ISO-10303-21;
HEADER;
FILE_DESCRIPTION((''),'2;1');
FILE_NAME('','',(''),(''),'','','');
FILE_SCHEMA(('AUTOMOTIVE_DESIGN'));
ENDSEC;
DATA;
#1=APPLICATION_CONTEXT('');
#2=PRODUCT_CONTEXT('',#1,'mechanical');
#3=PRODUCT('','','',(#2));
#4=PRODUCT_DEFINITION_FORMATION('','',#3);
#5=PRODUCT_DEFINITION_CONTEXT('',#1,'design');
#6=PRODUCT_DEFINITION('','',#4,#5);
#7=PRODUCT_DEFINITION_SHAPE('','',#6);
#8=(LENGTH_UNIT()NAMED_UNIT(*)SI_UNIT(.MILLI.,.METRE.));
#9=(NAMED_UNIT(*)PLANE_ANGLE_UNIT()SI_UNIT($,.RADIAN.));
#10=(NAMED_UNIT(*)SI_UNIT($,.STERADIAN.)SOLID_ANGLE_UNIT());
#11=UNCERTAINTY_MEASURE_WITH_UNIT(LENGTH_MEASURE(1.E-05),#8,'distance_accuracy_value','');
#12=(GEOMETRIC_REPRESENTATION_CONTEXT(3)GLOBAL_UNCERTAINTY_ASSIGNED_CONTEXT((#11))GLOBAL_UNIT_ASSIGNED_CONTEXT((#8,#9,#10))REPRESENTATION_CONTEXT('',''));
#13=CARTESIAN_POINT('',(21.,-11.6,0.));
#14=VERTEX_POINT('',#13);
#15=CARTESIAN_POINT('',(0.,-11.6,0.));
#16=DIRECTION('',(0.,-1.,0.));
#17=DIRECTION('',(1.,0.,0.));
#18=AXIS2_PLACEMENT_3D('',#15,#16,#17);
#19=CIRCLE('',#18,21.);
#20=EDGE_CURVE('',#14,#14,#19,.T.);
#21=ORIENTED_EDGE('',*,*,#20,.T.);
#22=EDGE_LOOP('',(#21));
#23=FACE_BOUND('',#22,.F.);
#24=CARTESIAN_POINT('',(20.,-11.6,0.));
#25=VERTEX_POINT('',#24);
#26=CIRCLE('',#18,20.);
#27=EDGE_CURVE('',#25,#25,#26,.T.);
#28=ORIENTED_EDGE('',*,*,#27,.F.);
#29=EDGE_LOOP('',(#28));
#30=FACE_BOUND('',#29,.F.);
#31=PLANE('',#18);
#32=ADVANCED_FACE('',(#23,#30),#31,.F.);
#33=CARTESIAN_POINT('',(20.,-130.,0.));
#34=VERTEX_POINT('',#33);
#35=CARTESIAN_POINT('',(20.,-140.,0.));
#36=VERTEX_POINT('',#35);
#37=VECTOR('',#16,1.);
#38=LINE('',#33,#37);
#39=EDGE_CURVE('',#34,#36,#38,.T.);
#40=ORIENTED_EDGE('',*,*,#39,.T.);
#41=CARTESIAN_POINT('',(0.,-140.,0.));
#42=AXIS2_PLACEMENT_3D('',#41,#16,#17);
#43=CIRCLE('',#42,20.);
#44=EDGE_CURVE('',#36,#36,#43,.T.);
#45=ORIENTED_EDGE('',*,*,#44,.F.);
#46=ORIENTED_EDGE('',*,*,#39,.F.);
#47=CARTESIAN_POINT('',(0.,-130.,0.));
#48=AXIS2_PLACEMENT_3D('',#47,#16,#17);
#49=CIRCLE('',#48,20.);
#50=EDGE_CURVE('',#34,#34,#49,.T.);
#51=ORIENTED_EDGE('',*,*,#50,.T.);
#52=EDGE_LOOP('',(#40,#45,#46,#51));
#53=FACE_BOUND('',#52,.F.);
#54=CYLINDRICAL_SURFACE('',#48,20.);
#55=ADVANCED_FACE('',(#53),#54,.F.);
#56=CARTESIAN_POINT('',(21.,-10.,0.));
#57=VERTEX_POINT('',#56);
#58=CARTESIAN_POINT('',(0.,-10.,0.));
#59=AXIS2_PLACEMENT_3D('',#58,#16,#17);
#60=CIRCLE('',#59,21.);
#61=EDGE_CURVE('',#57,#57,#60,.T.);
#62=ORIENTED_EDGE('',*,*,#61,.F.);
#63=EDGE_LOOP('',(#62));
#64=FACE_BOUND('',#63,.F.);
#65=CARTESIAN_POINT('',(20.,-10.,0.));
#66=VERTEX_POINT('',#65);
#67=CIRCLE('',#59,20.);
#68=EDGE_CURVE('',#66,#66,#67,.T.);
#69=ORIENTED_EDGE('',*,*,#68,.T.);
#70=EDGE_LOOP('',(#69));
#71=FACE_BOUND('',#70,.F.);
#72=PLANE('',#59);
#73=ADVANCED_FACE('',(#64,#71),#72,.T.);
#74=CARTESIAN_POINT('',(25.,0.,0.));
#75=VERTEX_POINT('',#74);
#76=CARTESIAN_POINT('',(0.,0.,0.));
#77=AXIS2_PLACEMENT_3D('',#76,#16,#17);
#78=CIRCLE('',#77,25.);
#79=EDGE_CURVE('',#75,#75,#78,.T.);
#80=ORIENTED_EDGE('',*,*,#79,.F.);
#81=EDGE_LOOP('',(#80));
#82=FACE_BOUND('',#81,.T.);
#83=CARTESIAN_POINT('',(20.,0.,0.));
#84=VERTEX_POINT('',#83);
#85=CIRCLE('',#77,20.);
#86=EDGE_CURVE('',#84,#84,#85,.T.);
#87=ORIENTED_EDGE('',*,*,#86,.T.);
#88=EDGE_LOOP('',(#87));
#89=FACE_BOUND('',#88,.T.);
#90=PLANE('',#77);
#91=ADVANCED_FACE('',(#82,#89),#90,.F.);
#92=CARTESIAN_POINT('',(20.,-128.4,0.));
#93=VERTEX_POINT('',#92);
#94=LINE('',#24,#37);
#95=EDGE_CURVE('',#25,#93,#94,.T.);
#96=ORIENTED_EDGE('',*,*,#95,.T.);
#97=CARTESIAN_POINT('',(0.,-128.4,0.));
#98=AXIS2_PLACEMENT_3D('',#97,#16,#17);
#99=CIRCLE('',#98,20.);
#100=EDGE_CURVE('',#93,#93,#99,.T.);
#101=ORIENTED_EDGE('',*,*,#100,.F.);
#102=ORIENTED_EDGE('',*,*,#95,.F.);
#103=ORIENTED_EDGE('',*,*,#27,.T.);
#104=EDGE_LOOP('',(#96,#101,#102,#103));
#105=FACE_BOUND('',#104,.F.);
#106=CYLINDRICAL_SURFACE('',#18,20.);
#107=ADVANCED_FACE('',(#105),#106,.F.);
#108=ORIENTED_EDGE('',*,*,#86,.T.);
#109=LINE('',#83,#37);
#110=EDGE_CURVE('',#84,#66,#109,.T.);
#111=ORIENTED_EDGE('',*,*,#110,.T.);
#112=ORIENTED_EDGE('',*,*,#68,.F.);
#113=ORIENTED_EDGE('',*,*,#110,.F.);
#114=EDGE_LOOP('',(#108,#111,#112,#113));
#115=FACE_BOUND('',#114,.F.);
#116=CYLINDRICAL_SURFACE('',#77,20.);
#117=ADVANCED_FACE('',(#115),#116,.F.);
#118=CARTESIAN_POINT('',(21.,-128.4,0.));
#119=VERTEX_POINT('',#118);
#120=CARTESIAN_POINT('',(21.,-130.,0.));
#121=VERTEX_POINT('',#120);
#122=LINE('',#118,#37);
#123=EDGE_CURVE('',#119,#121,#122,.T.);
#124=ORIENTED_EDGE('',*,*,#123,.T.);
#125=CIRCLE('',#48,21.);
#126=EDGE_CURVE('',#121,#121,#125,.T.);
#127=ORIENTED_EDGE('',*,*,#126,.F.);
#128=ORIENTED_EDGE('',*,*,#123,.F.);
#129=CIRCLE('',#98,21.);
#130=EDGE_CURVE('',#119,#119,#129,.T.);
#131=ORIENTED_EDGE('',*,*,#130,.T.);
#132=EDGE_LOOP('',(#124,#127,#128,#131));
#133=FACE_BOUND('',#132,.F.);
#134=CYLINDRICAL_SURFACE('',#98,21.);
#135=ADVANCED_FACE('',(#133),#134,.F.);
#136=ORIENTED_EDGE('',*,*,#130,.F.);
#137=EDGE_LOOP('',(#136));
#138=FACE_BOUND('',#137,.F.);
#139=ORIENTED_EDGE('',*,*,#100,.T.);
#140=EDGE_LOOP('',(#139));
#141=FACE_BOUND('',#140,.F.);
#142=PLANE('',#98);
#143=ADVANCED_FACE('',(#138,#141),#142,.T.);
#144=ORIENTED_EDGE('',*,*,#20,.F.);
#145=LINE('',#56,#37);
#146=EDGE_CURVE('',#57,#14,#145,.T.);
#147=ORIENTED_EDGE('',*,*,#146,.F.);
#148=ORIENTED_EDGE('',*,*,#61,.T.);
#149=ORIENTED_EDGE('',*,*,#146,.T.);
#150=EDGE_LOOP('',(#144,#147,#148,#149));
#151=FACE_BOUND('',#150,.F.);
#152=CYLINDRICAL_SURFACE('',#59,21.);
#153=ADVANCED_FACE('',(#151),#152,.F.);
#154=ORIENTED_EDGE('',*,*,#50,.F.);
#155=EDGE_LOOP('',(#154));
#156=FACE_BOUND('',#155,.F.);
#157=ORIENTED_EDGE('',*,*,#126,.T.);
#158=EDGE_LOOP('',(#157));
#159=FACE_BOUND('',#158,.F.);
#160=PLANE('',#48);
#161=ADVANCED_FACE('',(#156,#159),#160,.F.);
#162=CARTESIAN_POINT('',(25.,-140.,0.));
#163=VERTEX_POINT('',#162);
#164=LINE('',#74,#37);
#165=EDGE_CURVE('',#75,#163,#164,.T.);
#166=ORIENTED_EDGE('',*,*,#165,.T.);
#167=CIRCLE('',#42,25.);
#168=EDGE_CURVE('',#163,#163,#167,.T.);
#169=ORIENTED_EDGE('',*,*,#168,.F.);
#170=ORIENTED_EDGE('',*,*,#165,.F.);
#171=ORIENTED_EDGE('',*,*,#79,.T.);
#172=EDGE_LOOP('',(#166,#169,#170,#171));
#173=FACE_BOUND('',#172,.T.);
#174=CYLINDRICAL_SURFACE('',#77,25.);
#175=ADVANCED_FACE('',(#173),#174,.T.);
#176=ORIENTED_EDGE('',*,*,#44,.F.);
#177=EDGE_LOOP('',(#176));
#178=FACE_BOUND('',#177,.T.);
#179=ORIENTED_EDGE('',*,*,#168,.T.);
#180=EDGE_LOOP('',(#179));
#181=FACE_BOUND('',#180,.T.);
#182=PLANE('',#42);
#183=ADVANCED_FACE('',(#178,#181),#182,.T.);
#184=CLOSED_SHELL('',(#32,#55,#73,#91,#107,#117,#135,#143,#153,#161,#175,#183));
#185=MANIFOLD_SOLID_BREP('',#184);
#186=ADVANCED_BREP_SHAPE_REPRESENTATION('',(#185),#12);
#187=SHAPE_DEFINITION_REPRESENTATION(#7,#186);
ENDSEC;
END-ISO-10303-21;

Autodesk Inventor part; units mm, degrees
ref_plane "YZ Plane" through (0, 0, 0) normal (1, 0, 0) x (0, 1, 0)
ref_plane "XZ Plane" through (0, 0, 0) normal (0, 1, 0) x (-1, 0, 0)
ref_plane "XY Plane" through (0, 0, 0) normal (0, 0, 1) x (1, 0, 0)
sketch "Эскиз1" plane through (0, 0, 0) normal (0, 0, 1) x (1, 0, 0)
  line L0 (0, 0) -> (0, -140)
  line L1 (0, 0) -> (20, 0) construction
  line L2 (25, 0) -> (25, -140)
  line L3 (25, -140) -> (20, -140)
  line L4 (20, 0) -> (20, -10)
  line L5 (20, -10) -> (21, -10)
  line L6 (21, -10) -> (21, -11.6)
  line L7 (21, -11.6) -> (20, -11.6)
  line L8 (20, -11.6) -> (20, -128.4)
  line L9 (20, -128.4) -> (21, -128.4)
  line L10 (21, -128.4) -> (21, -130)
  line L11 (21, -130) -> (20, -130)
  line L12 (20, -130) -> (20, -140)
  line L13 (20, -140) -> (0, -140) construction
  line L14 (20, 0) -> (25, 0)
  point P0 (20, -7)
  dimension "d0" = 140
  dimension "d1" = 50
  dimension "d3" = 42
  dimension "d4" = 40
  dimension "d5" = 1.6
  dimension "d6" = 1.6
  dimension "d13" = 10
  dimension "d14" = 10
revolve "Вращение1" add sketch "Эскиз1" angle 360 about axis through (0, 0, 0) along (0, -1, 0)
equation "\"d14\" = my_parameter"
equation "\"my_parameter\" = 10"
properties part number "корпус"
